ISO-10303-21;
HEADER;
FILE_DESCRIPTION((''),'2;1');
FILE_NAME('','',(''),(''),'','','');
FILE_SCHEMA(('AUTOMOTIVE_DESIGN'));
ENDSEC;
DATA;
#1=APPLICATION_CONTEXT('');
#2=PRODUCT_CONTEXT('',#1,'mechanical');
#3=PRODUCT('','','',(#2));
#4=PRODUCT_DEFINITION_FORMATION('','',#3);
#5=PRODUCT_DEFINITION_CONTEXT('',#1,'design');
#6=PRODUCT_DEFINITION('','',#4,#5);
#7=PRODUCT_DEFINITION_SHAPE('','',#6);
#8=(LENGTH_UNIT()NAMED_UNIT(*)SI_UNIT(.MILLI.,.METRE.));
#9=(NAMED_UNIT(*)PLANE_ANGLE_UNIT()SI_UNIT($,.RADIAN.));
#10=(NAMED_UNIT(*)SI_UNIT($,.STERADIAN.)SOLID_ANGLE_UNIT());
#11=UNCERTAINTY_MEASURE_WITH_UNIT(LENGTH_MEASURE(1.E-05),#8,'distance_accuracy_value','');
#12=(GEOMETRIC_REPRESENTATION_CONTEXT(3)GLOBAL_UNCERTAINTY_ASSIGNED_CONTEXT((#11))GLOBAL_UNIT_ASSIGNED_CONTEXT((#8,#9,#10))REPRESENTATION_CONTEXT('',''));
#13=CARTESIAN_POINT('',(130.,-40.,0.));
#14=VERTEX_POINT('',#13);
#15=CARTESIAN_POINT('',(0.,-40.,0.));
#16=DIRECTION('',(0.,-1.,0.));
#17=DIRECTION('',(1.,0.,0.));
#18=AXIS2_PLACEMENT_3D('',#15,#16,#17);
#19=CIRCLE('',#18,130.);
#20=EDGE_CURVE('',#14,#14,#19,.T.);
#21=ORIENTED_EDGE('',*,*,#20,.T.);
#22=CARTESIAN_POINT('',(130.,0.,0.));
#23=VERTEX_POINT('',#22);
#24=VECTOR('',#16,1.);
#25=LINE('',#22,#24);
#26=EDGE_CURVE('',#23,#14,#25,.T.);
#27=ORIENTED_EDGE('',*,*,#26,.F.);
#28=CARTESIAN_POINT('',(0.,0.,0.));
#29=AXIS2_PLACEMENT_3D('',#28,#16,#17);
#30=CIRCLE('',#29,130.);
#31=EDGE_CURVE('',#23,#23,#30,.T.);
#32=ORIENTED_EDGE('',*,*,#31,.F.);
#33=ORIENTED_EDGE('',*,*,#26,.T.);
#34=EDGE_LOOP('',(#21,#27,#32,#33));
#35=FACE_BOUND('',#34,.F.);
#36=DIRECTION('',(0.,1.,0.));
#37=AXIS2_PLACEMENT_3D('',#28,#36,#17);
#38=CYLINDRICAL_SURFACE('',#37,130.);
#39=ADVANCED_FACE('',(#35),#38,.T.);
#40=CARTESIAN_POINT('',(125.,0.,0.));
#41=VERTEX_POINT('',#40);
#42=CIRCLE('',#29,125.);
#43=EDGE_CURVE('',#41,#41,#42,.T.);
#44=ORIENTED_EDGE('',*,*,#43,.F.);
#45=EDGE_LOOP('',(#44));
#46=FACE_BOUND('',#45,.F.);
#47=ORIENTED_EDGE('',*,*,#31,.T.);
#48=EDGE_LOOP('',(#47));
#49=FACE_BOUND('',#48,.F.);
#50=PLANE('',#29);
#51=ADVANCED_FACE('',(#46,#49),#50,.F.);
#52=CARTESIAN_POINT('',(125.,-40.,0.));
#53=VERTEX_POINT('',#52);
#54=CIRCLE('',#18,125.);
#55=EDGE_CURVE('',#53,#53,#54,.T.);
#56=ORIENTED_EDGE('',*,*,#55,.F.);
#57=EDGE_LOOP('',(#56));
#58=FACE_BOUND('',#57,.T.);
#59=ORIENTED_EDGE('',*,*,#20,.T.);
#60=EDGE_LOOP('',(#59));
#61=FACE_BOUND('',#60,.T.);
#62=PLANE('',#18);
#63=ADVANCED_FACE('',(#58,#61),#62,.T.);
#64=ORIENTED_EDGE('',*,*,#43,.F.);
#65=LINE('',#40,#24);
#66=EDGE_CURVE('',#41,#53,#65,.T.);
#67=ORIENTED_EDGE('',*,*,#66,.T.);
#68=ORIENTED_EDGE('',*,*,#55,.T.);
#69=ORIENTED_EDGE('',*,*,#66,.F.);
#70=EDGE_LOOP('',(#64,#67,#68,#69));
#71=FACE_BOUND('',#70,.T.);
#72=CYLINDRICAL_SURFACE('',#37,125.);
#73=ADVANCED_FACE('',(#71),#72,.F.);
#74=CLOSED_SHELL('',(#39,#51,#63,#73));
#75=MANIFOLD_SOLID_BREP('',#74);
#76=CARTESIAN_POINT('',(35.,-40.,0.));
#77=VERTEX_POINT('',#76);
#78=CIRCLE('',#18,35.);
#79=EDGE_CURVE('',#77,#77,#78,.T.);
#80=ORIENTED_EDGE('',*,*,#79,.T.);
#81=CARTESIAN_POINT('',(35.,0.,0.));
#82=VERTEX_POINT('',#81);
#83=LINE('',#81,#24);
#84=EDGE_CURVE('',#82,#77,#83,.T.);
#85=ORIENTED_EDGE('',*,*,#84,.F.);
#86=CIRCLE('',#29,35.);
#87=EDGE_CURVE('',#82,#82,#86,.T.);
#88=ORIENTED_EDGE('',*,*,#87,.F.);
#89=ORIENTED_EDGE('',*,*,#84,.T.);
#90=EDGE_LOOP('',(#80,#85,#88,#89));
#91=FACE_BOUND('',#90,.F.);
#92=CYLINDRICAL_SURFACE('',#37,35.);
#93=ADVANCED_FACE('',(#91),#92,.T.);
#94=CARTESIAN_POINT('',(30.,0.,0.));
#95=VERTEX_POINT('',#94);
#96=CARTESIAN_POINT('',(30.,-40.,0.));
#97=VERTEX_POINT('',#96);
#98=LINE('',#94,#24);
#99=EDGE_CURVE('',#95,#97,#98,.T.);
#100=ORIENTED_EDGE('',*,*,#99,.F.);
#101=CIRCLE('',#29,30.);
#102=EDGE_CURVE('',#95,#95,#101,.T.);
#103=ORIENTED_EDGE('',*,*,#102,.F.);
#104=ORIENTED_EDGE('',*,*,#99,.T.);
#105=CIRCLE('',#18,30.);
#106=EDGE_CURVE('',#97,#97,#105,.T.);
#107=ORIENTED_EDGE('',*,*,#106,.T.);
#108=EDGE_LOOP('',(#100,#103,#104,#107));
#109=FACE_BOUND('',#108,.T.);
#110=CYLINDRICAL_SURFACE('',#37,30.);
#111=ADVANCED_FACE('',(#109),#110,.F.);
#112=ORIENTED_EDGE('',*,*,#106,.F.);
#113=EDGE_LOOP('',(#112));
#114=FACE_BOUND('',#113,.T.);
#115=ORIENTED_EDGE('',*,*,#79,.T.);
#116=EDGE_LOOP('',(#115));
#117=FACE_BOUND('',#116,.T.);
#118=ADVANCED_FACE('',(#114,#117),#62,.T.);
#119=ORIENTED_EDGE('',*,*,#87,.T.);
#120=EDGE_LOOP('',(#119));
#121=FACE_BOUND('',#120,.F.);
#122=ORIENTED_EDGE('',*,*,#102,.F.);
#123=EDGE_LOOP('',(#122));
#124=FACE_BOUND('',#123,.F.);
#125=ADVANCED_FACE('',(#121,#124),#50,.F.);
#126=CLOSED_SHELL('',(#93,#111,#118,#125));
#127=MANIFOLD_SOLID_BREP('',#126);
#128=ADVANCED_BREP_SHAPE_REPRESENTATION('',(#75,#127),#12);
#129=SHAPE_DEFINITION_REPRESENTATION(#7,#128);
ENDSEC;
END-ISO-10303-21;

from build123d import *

# Parameters (mm, degrees)
F0_R     = 130
F0_R_2   = 125
F0_R_3   = 35
F0_R_4   = 30
F1_DEPTH = 40


with BuildPart() as f1:
    # F0 (on Front) → F1 (new body)
    with BuildSketch(Plane.XZ):
        Circle(F0_R)
        Circle(F0_R_2, mode=Mode.SUBTRACT)
        Circle(F0_R_3)
        Circle(F0_R_4, mode=Mode.SUBTRACT)
    extrude(amount=F1_DEPTH)


solid = f1.part
